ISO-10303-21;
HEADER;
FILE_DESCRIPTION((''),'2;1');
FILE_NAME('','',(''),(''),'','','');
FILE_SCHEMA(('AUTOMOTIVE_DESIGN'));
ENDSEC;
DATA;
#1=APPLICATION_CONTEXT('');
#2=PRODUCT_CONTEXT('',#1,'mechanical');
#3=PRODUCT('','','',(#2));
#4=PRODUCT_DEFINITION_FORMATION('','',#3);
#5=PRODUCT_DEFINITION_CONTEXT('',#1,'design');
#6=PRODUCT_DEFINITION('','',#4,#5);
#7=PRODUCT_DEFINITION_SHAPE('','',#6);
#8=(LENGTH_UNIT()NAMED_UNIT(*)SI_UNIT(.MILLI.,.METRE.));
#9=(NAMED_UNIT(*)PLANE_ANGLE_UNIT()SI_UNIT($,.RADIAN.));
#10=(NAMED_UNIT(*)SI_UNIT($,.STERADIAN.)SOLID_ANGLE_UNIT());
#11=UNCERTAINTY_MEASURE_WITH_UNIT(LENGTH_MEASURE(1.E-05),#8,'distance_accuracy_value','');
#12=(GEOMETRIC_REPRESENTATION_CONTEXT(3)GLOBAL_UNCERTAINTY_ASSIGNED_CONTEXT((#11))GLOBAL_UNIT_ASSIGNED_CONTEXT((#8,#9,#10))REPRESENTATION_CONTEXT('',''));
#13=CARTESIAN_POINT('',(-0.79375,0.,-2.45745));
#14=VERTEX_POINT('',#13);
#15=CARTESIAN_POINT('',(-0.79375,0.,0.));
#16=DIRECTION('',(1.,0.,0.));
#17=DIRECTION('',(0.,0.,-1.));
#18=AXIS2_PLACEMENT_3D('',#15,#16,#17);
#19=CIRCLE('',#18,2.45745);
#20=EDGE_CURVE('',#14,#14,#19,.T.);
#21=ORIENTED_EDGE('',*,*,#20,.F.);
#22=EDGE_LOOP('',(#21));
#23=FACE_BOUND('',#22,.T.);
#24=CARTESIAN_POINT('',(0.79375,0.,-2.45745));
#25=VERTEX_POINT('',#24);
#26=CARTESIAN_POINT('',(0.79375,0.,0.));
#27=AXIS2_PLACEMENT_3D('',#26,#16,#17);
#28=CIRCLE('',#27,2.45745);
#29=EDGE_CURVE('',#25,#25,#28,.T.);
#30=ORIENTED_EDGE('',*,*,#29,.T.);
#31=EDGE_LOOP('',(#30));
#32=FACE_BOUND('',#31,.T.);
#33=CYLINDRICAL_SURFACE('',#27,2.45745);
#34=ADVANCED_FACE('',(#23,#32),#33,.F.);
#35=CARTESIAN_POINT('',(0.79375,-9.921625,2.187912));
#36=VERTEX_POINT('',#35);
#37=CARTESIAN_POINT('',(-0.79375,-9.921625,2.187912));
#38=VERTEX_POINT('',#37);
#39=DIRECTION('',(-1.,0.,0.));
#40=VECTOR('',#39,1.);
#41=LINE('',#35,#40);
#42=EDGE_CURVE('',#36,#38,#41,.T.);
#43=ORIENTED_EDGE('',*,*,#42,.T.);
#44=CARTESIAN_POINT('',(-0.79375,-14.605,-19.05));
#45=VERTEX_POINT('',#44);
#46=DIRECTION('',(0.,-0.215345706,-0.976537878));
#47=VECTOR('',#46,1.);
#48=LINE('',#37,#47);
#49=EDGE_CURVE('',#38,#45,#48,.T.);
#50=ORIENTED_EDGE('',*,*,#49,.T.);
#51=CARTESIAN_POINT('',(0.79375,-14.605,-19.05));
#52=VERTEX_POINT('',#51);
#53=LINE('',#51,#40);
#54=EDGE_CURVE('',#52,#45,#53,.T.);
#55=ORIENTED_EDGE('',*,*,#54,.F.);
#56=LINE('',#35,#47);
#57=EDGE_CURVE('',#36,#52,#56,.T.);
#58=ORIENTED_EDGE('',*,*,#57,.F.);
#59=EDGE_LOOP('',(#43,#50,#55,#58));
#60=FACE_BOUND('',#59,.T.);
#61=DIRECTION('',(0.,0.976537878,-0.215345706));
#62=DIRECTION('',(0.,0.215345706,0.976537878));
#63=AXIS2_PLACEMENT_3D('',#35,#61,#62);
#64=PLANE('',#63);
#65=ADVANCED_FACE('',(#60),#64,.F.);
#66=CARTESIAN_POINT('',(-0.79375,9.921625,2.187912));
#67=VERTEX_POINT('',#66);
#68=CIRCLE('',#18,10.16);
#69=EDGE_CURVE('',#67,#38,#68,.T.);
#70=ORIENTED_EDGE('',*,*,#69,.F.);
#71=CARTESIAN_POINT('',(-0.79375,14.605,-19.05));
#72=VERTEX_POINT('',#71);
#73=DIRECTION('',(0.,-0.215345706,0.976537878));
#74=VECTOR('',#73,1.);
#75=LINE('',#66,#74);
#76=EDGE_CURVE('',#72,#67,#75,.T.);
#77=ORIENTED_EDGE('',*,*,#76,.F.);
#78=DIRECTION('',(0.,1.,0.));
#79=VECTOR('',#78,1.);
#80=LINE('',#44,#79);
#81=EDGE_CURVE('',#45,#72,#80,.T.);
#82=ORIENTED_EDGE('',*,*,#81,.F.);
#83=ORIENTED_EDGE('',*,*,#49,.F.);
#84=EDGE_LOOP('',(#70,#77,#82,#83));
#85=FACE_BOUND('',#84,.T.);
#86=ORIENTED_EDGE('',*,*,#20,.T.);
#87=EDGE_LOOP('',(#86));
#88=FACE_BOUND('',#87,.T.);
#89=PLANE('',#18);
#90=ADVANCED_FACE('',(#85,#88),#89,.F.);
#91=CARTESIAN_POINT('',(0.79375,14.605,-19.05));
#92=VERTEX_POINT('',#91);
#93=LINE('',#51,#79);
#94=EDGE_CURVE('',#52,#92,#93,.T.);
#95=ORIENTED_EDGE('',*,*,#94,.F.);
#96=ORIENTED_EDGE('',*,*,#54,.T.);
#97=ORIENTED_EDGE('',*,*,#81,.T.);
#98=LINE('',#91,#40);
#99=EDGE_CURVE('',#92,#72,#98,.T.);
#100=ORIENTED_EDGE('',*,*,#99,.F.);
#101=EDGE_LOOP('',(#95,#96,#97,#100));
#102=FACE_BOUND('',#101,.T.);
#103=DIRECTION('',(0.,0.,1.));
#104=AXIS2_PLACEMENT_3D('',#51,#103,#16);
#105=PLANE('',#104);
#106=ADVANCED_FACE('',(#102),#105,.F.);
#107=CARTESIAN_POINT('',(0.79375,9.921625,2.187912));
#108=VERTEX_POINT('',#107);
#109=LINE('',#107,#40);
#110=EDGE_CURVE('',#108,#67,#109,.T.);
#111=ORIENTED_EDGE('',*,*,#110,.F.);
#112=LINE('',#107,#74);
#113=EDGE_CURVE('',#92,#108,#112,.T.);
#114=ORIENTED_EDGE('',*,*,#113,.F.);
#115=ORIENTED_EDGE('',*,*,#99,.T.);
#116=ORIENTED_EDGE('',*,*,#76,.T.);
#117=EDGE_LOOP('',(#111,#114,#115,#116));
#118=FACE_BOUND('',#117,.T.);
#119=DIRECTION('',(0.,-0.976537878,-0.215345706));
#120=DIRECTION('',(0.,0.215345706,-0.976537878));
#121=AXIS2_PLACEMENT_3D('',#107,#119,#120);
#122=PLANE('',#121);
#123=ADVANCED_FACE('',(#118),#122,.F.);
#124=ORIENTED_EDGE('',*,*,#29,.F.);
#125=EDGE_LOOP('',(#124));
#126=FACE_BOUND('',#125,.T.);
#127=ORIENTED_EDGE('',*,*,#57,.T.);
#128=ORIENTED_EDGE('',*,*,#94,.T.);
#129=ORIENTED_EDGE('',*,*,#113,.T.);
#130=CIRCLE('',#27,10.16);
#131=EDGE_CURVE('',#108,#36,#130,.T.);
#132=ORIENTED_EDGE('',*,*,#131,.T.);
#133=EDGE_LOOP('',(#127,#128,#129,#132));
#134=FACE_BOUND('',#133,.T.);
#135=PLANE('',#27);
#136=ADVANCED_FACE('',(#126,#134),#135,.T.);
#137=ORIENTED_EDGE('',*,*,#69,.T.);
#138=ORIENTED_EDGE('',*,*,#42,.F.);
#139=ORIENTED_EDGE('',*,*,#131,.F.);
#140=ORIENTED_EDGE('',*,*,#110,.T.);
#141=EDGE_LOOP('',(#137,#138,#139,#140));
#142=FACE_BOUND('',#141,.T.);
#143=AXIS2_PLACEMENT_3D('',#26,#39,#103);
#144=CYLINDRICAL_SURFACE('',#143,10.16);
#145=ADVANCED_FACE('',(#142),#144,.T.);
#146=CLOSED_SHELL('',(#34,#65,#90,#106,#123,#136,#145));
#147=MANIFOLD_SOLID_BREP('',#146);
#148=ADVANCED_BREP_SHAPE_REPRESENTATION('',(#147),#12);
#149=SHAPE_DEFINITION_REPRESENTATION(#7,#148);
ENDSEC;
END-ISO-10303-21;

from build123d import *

# Parameters (mm, degrees)
BOSS_EXTRUDE1_DEPTH   = 0.79375
F_8_CLEARANCE_HOLE1_D = 4.9149


with BuildPart() as part:
    # Sketch1 → Boss-Extrude1 (new, symmetric)
    with BuildSketch(Plane(origin=(0, 0, 0), x_dir=(0, 0, -1), z_dir=(1, 0, 0))):
        with BuildLine():
            Line((-2.187912376, 9.921624838), (19.05, 14.605))
            Line((19.05, 14.605), (19.05, -14.605))
            Line((19.05, -14.605), (-2.187912376, -9.921624838))
            ThreePointArc((-2.187912376, -9.921624838), (-10.16, 0), (-2.187912376, 9.921624838))
        make_face()
    extrude(amount=BOSS_EXTRUDE1_DEPTH, both=True)

    # #8 Clearance Hole1 (through all)
    with Locations(Plane(origin=(0.79375, 0, 0), x_dir=(0, 0, -1), z_dir=(1, 0, 0))):
        with Locations((0, 0)):
            Hole(F_8_CLEARANCE_HOLE1_D / 2)


solid = part.part
